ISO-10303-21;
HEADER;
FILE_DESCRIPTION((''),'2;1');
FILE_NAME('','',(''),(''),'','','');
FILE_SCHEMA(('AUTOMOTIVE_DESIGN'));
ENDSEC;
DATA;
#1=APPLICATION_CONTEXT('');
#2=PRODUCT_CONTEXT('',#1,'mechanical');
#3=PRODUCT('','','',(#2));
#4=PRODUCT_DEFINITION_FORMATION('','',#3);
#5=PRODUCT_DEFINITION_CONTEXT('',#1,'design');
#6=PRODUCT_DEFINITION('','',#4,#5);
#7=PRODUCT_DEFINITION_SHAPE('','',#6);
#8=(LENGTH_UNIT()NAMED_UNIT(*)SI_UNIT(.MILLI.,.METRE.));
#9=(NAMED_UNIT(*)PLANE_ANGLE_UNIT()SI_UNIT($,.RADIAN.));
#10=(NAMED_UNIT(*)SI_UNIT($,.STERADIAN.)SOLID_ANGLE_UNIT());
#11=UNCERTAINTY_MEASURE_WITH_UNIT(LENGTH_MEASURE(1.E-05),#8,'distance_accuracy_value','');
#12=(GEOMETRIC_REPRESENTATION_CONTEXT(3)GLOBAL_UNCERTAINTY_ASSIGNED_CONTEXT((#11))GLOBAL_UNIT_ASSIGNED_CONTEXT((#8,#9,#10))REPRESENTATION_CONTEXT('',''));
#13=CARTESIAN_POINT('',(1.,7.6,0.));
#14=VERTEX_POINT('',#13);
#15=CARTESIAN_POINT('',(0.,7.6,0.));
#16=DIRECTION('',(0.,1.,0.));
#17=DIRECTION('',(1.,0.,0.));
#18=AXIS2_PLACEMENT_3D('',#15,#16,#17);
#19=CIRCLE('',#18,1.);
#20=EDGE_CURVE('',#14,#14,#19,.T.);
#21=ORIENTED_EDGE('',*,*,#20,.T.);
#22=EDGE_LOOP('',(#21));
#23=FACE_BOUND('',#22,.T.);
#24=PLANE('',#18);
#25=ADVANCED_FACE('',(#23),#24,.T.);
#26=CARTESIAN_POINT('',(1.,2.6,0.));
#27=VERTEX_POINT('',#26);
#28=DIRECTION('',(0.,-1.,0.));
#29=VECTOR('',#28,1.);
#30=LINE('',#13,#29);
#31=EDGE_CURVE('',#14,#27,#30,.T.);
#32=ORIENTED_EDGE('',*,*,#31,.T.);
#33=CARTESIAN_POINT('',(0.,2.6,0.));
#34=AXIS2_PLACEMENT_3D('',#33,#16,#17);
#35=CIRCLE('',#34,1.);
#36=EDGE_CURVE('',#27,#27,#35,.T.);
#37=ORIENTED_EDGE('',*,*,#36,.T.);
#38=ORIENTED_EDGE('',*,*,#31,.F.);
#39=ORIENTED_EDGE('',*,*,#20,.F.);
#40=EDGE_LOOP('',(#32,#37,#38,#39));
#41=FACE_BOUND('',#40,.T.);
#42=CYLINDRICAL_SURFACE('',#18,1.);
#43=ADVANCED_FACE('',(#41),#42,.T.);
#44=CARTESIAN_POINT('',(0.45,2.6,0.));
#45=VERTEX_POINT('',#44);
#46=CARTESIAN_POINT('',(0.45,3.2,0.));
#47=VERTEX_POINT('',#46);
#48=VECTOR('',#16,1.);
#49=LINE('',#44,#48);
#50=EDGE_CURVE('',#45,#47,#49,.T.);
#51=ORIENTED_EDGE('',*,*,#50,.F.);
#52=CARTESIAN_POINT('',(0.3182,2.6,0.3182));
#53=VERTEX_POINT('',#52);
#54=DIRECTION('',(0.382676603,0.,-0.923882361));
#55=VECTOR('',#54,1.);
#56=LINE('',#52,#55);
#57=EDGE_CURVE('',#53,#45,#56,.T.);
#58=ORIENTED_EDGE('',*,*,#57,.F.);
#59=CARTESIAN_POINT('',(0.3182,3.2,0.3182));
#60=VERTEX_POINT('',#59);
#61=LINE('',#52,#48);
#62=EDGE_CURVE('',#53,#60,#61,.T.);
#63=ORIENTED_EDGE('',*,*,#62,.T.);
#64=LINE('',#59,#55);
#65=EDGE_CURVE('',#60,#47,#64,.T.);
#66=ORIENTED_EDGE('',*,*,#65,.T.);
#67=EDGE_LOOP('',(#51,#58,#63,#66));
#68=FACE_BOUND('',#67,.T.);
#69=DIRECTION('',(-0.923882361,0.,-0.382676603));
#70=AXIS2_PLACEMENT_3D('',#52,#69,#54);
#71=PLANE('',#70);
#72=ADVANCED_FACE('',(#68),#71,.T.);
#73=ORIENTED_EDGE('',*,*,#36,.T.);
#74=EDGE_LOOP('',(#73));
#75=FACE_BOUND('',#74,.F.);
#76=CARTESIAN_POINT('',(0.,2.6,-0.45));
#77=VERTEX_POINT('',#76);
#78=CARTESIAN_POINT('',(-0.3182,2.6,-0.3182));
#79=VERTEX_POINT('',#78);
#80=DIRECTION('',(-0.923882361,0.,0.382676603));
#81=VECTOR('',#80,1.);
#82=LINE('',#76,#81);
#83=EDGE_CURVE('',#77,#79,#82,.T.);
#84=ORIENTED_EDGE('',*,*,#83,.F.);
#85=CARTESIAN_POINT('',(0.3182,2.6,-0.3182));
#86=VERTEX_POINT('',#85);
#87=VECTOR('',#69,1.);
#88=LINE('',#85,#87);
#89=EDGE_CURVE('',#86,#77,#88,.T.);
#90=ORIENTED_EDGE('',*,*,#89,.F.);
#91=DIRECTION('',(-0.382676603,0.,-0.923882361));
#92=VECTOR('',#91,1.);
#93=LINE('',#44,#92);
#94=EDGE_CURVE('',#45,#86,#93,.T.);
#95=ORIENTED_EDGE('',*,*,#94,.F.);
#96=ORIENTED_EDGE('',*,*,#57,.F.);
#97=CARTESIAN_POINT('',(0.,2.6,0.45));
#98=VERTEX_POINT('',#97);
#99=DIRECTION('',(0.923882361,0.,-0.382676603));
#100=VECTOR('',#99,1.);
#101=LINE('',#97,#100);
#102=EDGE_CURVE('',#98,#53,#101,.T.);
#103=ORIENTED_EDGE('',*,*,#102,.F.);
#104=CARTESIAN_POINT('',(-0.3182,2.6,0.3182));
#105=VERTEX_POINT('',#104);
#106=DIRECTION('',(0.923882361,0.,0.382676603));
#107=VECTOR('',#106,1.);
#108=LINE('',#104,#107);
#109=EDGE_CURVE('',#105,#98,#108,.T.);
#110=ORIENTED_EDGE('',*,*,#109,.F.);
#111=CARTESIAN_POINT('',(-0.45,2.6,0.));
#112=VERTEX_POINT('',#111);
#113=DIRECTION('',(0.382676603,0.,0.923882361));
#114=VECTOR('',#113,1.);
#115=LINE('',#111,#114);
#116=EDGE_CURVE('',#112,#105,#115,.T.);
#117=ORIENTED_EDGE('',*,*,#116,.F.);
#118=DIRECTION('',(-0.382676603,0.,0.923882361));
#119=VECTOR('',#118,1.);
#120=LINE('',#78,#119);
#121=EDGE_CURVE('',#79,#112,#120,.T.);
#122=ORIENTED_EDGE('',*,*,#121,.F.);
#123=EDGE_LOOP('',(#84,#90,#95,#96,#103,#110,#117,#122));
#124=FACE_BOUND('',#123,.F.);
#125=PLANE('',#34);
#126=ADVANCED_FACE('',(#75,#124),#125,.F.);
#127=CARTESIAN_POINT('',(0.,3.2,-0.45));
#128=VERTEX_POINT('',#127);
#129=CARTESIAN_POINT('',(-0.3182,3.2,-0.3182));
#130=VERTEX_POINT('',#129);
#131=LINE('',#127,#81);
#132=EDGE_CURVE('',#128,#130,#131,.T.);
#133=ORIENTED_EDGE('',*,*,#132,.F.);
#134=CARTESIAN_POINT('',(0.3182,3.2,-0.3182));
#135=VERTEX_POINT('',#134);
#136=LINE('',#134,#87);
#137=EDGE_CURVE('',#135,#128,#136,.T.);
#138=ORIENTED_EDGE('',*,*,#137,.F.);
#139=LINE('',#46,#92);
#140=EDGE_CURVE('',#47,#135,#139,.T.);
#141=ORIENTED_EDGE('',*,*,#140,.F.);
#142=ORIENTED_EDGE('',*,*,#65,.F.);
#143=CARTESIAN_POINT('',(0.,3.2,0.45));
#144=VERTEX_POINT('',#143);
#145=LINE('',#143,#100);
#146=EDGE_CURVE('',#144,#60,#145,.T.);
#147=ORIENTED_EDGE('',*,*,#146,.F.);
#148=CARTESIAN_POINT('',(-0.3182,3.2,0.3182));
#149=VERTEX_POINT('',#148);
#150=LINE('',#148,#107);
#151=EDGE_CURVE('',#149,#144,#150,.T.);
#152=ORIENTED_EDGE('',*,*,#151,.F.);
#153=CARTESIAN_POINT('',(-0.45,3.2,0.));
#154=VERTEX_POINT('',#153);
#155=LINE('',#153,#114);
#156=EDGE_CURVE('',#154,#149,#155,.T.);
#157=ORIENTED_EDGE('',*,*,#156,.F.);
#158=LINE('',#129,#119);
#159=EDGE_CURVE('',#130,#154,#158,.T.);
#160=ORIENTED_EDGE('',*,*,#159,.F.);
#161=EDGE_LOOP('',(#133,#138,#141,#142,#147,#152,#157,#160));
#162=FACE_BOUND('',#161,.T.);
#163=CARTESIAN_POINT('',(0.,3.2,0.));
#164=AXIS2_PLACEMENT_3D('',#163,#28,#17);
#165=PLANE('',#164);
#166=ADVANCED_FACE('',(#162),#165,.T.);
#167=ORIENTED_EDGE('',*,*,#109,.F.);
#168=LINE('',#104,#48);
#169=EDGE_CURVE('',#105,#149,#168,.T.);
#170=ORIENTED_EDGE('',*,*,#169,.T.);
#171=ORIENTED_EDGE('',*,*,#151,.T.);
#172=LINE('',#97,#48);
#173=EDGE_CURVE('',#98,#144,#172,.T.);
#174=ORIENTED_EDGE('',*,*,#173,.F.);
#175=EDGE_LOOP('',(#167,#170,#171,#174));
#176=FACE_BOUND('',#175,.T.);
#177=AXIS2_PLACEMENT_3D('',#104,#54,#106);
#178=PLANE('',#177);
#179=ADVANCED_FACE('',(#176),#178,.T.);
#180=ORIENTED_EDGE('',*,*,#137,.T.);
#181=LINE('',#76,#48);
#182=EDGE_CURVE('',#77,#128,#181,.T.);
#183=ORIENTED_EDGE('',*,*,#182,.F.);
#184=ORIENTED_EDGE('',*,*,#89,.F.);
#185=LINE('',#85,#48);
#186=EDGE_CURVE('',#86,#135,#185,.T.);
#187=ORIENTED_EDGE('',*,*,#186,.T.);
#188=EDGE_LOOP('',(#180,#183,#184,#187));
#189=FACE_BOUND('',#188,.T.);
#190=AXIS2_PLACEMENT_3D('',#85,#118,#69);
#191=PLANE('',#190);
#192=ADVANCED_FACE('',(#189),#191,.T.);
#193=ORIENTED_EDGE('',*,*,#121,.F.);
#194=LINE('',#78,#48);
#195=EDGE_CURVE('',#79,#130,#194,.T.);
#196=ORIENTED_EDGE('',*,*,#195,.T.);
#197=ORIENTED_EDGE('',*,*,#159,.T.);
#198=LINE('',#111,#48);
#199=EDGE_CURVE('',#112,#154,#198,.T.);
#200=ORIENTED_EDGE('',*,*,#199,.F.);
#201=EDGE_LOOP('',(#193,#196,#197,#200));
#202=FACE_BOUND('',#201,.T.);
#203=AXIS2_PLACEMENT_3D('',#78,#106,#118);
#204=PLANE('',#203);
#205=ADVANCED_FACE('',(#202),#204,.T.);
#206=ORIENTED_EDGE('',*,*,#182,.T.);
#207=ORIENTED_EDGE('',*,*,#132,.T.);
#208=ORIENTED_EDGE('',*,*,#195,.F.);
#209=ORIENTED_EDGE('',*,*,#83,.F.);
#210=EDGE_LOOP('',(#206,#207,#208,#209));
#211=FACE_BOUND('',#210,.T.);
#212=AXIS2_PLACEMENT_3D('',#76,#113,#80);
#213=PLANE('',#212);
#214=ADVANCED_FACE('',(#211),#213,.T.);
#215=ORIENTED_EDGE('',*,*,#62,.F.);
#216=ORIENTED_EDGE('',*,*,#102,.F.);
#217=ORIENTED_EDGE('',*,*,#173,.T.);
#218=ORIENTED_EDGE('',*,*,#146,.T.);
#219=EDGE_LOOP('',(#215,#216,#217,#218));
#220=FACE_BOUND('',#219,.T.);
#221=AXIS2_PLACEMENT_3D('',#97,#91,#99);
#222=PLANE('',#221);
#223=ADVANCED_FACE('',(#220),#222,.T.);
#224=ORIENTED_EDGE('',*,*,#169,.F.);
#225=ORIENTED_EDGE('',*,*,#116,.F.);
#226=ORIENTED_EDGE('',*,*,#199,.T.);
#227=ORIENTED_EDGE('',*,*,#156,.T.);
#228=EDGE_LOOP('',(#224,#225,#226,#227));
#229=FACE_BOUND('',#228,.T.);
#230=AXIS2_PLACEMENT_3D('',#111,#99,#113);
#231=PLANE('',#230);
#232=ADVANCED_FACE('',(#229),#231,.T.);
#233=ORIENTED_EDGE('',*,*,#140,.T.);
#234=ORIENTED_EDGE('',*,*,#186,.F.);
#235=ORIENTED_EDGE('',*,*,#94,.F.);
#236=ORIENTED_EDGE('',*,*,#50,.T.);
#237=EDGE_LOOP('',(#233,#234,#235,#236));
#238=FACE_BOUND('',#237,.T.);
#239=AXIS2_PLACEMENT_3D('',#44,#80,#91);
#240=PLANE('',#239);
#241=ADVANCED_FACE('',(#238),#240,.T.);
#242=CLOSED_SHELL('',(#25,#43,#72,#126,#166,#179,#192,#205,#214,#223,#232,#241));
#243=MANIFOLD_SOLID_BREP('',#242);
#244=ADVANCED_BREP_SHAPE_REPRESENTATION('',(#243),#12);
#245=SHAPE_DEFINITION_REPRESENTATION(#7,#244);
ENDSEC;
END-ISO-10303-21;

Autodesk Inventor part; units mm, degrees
ref_plane "YZ Plane" through (0, 0, 0) normal (1, 0, 0) x (0, 1, 0)
ref_plane "Work Plane4" through (0, 0, 0) normal (0, -1, 0) x (1, 0, 0)
ref_plane "Work Plane10" through (0, 7.6, 0) normal (0, 1, 0) x (1, 0, 0)
sketch "Sketch7" plane through (0, 7.6, 0) normal (0, 1, 0) x (1, 0, 0)
  circle A0 centre (0, 0) radius 1
extrude "Extrusion7" add sketch "Sketch7" against normal blind 5
sketch "Sketch8" plane through (0, 2.6, 0) normal (0, -1, 0) x (1, 0, 0)
  line L0 (0.45, 0) -> (0.3182, -0.3182)
  line L1 (0.3182, -0.3182) -> (0, -0.45)
  line L2 (0, -0.45) -> (-0.3182, -0.3182)
  line L3 (-0.3182, -0.3182) -> (-0.45, 0)
  line L4 (-0.45, 0) -> (-0.3182, 0.3182)
  line L5 (-0.3182, 0.3182) -> (0, 0.45)
  line L6 (0, 0.45) -> (0.3182, 0.3182)
  line L7 (0.3182, 0.3182) -> (0.45, 0)
  point P0 (0, 0)
extrude "Extrusion8" cut sketch "Sketch8" against normal blind 0.6
thread "Thread4" size "M2x0.4" class "6g" standard "ANSI Metric M Profile" full length
properties part number "M2x6_D963"
